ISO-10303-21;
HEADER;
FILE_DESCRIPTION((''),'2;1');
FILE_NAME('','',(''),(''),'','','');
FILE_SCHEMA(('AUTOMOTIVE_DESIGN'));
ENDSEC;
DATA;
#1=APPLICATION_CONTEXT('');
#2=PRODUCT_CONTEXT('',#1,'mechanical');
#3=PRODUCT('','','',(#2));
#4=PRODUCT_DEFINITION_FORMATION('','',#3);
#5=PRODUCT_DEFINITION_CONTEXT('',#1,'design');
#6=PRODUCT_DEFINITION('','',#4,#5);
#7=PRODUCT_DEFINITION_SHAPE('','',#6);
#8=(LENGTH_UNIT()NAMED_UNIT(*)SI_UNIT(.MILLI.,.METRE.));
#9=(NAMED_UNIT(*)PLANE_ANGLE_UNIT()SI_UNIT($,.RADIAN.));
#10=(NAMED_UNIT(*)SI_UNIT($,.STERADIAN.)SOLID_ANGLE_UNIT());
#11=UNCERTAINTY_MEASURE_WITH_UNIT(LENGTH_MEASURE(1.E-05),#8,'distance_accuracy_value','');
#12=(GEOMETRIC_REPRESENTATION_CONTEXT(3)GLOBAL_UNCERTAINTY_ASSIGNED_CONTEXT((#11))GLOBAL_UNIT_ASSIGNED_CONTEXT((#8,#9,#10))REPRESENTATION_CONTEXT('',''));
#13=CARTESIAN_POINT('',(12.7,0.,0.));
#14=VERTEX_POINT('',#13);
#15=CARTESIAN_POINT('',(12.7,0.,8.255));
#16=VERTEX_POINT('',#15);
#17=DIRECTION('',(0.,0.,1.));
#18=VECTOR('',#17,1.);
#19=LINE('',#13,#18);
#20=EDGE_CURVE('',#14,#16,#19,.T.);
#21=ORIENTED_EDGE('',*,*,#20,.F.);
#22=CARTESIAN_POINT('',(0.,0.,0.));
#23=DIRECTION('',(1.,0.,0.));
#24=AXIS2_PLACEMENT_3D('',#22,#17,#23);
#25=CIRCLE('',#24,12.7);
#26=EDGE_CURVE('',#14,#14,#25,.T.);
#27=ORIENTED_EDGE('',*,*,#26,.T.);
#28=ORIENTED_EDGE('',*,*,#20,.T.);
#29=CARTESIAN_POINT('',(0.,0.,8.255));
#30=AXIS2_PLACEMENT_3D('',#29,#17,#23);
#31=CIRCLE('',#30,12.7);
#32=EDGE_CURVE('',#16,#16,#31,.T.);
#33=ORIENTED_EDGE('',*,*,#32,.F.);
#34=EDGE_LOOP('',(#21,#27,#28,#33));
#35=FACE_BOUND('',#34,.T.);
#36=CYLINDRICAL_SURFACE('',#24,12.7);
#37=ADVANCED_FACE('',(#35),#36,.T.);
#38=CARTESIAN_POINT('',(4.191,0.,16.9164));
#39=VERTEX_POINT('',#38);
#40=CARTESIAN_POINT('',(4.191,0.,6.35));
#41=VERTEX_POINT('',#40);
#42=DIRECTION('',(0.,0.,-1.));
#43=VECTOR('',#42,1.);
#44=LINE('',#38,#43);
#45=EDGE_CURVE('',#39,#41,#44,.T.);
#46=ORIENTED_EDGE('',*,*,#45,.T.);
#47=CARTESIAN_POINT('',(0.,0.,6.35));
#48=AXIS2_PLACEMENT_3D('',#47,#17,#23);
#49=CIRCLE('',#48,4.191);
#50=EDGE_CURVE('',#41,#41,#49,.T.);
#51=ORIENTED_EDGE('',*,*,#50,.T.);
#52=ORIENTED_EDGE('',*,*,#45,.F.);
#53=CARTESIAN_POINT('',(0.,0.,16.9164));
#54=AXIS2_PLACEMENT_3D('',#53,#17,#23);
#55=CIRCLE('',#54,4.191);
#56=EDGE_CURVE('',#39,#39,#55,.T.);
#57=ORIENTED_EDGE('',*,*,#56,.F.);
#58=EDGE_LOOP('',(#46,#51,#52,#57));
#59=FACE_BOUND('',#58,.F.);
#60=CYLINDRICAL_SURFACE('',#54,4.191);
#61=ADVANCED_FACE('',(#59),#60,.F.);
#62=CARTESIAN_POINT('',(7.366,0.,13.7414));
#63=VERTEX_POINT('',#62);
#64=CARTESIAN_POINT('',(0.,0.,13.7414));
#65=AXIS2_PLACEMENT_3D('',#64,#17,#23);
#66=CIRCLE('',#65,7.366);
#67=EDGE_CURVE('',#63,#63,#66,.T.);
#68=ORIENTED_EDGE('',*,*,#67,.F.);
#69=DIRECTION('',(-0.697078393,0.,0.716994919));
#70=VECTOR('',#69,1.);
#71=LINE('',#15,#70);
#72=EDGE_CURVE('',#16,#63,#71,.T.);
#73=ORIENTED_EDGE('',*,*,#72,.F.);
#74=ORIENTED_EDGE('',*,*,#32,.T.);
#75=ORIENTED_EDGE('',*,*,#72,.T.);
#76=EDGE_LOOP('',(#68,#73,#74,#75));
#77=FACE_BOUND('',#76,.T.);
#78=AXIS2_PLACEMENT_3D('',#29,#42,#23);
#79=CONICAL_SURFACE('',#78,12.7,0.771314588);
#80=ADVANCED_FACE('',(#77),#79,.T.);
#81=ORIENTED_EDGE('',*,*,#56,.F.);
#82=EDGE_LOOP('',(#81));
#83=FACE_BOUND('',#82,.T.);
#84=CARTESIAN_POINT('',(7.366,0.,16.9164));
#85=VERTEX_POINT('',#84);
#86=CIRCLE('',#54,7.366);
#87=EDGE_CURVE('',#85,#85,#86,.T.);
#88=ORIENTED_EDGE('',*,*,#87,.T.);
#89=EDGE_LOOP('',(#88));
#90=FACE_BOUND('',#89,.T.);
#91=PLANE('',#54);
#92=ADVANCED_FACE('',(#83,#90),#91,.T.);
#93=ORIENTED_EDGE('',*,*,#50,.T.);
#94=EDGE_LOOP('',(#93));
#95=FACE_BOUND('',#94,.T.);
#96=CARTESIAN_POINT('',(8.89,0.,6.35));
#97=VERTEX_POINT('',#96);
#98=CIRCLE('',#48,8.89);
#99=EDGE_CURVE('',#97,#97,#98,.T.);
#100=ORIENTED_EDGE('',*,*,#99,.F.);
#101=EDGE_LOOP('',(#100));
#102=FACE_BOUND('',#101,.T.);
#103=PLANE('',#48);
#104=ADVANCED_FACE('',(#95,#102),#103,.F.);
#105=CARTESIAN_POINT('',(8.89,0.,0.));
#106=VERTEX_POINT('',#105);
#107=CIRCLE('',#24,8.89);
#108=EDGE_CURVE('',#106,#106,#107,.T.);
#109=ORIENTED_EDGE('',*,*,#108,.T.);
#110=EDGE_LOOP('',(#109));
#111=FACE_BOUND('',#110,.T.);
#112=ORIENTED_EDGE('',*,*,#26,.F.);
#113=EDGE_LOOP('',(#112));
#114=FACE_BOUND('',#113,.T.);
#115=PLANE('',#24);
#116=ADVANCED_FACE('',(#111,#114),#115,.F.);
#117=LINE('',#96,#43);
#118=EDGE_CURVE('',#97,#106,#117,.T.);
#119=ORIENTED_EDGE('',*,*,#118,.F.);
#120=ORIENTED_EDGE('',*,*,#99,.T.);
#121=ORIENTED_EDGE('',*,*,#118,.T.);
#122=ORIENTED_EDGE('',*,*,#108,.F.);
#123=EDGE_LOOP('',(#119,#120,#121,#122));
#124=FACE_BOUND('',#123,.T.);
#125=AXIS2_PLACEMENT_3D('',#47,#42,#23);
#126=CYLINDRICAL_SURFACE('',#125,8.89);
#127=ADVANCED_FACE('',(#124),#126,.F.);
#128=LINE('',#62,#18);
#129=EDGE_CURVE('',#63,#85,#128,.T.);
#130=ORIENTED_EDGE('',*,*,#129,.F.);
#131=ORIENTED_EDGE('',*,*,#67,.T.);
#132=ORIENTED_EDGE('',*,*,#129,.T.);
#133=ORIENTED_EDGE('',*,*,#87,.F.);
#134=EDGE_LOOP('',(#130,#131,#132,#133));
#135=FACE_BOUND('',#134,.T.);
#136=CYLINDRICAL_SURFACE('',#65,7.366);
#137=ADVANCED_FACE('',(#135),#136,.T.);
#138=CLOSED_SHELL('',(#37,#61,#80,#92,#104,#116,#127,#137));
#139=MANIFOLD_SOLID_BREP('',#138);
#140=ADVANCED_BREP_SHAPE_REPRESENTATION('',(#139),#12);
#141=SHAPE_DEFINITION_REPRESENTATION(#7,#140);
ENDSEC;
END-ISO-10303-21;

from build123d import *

# Parameters (mm, degrees)
F2_R     = 4.191
F3_DEPTH = 25.4


with BuildPart() as f1:
    # F0 (on Front) → F1 (revolve)
    with BuildSketch(Plane.XZ):
        Polygon((8.89, 6.35), (8.89, 0), (12.7, 0), (12.7, 8.255), (7.366, 13.7414), (7.366, 16.9164), (0, 16.9164), (0, 6.35), align=None)
    revolve(axis=Axis((0, 0, 11.6332), (0, 0, 1)))

    # F2 (on face) → F3 (cut)
    with BuildSketch(Plane.XY.offset(16.9164)):
        Circle(F2_R)
    extrude(amount=-F3_DEPTH, mode=Mode.SUBTRACT)


solid = f1.part
